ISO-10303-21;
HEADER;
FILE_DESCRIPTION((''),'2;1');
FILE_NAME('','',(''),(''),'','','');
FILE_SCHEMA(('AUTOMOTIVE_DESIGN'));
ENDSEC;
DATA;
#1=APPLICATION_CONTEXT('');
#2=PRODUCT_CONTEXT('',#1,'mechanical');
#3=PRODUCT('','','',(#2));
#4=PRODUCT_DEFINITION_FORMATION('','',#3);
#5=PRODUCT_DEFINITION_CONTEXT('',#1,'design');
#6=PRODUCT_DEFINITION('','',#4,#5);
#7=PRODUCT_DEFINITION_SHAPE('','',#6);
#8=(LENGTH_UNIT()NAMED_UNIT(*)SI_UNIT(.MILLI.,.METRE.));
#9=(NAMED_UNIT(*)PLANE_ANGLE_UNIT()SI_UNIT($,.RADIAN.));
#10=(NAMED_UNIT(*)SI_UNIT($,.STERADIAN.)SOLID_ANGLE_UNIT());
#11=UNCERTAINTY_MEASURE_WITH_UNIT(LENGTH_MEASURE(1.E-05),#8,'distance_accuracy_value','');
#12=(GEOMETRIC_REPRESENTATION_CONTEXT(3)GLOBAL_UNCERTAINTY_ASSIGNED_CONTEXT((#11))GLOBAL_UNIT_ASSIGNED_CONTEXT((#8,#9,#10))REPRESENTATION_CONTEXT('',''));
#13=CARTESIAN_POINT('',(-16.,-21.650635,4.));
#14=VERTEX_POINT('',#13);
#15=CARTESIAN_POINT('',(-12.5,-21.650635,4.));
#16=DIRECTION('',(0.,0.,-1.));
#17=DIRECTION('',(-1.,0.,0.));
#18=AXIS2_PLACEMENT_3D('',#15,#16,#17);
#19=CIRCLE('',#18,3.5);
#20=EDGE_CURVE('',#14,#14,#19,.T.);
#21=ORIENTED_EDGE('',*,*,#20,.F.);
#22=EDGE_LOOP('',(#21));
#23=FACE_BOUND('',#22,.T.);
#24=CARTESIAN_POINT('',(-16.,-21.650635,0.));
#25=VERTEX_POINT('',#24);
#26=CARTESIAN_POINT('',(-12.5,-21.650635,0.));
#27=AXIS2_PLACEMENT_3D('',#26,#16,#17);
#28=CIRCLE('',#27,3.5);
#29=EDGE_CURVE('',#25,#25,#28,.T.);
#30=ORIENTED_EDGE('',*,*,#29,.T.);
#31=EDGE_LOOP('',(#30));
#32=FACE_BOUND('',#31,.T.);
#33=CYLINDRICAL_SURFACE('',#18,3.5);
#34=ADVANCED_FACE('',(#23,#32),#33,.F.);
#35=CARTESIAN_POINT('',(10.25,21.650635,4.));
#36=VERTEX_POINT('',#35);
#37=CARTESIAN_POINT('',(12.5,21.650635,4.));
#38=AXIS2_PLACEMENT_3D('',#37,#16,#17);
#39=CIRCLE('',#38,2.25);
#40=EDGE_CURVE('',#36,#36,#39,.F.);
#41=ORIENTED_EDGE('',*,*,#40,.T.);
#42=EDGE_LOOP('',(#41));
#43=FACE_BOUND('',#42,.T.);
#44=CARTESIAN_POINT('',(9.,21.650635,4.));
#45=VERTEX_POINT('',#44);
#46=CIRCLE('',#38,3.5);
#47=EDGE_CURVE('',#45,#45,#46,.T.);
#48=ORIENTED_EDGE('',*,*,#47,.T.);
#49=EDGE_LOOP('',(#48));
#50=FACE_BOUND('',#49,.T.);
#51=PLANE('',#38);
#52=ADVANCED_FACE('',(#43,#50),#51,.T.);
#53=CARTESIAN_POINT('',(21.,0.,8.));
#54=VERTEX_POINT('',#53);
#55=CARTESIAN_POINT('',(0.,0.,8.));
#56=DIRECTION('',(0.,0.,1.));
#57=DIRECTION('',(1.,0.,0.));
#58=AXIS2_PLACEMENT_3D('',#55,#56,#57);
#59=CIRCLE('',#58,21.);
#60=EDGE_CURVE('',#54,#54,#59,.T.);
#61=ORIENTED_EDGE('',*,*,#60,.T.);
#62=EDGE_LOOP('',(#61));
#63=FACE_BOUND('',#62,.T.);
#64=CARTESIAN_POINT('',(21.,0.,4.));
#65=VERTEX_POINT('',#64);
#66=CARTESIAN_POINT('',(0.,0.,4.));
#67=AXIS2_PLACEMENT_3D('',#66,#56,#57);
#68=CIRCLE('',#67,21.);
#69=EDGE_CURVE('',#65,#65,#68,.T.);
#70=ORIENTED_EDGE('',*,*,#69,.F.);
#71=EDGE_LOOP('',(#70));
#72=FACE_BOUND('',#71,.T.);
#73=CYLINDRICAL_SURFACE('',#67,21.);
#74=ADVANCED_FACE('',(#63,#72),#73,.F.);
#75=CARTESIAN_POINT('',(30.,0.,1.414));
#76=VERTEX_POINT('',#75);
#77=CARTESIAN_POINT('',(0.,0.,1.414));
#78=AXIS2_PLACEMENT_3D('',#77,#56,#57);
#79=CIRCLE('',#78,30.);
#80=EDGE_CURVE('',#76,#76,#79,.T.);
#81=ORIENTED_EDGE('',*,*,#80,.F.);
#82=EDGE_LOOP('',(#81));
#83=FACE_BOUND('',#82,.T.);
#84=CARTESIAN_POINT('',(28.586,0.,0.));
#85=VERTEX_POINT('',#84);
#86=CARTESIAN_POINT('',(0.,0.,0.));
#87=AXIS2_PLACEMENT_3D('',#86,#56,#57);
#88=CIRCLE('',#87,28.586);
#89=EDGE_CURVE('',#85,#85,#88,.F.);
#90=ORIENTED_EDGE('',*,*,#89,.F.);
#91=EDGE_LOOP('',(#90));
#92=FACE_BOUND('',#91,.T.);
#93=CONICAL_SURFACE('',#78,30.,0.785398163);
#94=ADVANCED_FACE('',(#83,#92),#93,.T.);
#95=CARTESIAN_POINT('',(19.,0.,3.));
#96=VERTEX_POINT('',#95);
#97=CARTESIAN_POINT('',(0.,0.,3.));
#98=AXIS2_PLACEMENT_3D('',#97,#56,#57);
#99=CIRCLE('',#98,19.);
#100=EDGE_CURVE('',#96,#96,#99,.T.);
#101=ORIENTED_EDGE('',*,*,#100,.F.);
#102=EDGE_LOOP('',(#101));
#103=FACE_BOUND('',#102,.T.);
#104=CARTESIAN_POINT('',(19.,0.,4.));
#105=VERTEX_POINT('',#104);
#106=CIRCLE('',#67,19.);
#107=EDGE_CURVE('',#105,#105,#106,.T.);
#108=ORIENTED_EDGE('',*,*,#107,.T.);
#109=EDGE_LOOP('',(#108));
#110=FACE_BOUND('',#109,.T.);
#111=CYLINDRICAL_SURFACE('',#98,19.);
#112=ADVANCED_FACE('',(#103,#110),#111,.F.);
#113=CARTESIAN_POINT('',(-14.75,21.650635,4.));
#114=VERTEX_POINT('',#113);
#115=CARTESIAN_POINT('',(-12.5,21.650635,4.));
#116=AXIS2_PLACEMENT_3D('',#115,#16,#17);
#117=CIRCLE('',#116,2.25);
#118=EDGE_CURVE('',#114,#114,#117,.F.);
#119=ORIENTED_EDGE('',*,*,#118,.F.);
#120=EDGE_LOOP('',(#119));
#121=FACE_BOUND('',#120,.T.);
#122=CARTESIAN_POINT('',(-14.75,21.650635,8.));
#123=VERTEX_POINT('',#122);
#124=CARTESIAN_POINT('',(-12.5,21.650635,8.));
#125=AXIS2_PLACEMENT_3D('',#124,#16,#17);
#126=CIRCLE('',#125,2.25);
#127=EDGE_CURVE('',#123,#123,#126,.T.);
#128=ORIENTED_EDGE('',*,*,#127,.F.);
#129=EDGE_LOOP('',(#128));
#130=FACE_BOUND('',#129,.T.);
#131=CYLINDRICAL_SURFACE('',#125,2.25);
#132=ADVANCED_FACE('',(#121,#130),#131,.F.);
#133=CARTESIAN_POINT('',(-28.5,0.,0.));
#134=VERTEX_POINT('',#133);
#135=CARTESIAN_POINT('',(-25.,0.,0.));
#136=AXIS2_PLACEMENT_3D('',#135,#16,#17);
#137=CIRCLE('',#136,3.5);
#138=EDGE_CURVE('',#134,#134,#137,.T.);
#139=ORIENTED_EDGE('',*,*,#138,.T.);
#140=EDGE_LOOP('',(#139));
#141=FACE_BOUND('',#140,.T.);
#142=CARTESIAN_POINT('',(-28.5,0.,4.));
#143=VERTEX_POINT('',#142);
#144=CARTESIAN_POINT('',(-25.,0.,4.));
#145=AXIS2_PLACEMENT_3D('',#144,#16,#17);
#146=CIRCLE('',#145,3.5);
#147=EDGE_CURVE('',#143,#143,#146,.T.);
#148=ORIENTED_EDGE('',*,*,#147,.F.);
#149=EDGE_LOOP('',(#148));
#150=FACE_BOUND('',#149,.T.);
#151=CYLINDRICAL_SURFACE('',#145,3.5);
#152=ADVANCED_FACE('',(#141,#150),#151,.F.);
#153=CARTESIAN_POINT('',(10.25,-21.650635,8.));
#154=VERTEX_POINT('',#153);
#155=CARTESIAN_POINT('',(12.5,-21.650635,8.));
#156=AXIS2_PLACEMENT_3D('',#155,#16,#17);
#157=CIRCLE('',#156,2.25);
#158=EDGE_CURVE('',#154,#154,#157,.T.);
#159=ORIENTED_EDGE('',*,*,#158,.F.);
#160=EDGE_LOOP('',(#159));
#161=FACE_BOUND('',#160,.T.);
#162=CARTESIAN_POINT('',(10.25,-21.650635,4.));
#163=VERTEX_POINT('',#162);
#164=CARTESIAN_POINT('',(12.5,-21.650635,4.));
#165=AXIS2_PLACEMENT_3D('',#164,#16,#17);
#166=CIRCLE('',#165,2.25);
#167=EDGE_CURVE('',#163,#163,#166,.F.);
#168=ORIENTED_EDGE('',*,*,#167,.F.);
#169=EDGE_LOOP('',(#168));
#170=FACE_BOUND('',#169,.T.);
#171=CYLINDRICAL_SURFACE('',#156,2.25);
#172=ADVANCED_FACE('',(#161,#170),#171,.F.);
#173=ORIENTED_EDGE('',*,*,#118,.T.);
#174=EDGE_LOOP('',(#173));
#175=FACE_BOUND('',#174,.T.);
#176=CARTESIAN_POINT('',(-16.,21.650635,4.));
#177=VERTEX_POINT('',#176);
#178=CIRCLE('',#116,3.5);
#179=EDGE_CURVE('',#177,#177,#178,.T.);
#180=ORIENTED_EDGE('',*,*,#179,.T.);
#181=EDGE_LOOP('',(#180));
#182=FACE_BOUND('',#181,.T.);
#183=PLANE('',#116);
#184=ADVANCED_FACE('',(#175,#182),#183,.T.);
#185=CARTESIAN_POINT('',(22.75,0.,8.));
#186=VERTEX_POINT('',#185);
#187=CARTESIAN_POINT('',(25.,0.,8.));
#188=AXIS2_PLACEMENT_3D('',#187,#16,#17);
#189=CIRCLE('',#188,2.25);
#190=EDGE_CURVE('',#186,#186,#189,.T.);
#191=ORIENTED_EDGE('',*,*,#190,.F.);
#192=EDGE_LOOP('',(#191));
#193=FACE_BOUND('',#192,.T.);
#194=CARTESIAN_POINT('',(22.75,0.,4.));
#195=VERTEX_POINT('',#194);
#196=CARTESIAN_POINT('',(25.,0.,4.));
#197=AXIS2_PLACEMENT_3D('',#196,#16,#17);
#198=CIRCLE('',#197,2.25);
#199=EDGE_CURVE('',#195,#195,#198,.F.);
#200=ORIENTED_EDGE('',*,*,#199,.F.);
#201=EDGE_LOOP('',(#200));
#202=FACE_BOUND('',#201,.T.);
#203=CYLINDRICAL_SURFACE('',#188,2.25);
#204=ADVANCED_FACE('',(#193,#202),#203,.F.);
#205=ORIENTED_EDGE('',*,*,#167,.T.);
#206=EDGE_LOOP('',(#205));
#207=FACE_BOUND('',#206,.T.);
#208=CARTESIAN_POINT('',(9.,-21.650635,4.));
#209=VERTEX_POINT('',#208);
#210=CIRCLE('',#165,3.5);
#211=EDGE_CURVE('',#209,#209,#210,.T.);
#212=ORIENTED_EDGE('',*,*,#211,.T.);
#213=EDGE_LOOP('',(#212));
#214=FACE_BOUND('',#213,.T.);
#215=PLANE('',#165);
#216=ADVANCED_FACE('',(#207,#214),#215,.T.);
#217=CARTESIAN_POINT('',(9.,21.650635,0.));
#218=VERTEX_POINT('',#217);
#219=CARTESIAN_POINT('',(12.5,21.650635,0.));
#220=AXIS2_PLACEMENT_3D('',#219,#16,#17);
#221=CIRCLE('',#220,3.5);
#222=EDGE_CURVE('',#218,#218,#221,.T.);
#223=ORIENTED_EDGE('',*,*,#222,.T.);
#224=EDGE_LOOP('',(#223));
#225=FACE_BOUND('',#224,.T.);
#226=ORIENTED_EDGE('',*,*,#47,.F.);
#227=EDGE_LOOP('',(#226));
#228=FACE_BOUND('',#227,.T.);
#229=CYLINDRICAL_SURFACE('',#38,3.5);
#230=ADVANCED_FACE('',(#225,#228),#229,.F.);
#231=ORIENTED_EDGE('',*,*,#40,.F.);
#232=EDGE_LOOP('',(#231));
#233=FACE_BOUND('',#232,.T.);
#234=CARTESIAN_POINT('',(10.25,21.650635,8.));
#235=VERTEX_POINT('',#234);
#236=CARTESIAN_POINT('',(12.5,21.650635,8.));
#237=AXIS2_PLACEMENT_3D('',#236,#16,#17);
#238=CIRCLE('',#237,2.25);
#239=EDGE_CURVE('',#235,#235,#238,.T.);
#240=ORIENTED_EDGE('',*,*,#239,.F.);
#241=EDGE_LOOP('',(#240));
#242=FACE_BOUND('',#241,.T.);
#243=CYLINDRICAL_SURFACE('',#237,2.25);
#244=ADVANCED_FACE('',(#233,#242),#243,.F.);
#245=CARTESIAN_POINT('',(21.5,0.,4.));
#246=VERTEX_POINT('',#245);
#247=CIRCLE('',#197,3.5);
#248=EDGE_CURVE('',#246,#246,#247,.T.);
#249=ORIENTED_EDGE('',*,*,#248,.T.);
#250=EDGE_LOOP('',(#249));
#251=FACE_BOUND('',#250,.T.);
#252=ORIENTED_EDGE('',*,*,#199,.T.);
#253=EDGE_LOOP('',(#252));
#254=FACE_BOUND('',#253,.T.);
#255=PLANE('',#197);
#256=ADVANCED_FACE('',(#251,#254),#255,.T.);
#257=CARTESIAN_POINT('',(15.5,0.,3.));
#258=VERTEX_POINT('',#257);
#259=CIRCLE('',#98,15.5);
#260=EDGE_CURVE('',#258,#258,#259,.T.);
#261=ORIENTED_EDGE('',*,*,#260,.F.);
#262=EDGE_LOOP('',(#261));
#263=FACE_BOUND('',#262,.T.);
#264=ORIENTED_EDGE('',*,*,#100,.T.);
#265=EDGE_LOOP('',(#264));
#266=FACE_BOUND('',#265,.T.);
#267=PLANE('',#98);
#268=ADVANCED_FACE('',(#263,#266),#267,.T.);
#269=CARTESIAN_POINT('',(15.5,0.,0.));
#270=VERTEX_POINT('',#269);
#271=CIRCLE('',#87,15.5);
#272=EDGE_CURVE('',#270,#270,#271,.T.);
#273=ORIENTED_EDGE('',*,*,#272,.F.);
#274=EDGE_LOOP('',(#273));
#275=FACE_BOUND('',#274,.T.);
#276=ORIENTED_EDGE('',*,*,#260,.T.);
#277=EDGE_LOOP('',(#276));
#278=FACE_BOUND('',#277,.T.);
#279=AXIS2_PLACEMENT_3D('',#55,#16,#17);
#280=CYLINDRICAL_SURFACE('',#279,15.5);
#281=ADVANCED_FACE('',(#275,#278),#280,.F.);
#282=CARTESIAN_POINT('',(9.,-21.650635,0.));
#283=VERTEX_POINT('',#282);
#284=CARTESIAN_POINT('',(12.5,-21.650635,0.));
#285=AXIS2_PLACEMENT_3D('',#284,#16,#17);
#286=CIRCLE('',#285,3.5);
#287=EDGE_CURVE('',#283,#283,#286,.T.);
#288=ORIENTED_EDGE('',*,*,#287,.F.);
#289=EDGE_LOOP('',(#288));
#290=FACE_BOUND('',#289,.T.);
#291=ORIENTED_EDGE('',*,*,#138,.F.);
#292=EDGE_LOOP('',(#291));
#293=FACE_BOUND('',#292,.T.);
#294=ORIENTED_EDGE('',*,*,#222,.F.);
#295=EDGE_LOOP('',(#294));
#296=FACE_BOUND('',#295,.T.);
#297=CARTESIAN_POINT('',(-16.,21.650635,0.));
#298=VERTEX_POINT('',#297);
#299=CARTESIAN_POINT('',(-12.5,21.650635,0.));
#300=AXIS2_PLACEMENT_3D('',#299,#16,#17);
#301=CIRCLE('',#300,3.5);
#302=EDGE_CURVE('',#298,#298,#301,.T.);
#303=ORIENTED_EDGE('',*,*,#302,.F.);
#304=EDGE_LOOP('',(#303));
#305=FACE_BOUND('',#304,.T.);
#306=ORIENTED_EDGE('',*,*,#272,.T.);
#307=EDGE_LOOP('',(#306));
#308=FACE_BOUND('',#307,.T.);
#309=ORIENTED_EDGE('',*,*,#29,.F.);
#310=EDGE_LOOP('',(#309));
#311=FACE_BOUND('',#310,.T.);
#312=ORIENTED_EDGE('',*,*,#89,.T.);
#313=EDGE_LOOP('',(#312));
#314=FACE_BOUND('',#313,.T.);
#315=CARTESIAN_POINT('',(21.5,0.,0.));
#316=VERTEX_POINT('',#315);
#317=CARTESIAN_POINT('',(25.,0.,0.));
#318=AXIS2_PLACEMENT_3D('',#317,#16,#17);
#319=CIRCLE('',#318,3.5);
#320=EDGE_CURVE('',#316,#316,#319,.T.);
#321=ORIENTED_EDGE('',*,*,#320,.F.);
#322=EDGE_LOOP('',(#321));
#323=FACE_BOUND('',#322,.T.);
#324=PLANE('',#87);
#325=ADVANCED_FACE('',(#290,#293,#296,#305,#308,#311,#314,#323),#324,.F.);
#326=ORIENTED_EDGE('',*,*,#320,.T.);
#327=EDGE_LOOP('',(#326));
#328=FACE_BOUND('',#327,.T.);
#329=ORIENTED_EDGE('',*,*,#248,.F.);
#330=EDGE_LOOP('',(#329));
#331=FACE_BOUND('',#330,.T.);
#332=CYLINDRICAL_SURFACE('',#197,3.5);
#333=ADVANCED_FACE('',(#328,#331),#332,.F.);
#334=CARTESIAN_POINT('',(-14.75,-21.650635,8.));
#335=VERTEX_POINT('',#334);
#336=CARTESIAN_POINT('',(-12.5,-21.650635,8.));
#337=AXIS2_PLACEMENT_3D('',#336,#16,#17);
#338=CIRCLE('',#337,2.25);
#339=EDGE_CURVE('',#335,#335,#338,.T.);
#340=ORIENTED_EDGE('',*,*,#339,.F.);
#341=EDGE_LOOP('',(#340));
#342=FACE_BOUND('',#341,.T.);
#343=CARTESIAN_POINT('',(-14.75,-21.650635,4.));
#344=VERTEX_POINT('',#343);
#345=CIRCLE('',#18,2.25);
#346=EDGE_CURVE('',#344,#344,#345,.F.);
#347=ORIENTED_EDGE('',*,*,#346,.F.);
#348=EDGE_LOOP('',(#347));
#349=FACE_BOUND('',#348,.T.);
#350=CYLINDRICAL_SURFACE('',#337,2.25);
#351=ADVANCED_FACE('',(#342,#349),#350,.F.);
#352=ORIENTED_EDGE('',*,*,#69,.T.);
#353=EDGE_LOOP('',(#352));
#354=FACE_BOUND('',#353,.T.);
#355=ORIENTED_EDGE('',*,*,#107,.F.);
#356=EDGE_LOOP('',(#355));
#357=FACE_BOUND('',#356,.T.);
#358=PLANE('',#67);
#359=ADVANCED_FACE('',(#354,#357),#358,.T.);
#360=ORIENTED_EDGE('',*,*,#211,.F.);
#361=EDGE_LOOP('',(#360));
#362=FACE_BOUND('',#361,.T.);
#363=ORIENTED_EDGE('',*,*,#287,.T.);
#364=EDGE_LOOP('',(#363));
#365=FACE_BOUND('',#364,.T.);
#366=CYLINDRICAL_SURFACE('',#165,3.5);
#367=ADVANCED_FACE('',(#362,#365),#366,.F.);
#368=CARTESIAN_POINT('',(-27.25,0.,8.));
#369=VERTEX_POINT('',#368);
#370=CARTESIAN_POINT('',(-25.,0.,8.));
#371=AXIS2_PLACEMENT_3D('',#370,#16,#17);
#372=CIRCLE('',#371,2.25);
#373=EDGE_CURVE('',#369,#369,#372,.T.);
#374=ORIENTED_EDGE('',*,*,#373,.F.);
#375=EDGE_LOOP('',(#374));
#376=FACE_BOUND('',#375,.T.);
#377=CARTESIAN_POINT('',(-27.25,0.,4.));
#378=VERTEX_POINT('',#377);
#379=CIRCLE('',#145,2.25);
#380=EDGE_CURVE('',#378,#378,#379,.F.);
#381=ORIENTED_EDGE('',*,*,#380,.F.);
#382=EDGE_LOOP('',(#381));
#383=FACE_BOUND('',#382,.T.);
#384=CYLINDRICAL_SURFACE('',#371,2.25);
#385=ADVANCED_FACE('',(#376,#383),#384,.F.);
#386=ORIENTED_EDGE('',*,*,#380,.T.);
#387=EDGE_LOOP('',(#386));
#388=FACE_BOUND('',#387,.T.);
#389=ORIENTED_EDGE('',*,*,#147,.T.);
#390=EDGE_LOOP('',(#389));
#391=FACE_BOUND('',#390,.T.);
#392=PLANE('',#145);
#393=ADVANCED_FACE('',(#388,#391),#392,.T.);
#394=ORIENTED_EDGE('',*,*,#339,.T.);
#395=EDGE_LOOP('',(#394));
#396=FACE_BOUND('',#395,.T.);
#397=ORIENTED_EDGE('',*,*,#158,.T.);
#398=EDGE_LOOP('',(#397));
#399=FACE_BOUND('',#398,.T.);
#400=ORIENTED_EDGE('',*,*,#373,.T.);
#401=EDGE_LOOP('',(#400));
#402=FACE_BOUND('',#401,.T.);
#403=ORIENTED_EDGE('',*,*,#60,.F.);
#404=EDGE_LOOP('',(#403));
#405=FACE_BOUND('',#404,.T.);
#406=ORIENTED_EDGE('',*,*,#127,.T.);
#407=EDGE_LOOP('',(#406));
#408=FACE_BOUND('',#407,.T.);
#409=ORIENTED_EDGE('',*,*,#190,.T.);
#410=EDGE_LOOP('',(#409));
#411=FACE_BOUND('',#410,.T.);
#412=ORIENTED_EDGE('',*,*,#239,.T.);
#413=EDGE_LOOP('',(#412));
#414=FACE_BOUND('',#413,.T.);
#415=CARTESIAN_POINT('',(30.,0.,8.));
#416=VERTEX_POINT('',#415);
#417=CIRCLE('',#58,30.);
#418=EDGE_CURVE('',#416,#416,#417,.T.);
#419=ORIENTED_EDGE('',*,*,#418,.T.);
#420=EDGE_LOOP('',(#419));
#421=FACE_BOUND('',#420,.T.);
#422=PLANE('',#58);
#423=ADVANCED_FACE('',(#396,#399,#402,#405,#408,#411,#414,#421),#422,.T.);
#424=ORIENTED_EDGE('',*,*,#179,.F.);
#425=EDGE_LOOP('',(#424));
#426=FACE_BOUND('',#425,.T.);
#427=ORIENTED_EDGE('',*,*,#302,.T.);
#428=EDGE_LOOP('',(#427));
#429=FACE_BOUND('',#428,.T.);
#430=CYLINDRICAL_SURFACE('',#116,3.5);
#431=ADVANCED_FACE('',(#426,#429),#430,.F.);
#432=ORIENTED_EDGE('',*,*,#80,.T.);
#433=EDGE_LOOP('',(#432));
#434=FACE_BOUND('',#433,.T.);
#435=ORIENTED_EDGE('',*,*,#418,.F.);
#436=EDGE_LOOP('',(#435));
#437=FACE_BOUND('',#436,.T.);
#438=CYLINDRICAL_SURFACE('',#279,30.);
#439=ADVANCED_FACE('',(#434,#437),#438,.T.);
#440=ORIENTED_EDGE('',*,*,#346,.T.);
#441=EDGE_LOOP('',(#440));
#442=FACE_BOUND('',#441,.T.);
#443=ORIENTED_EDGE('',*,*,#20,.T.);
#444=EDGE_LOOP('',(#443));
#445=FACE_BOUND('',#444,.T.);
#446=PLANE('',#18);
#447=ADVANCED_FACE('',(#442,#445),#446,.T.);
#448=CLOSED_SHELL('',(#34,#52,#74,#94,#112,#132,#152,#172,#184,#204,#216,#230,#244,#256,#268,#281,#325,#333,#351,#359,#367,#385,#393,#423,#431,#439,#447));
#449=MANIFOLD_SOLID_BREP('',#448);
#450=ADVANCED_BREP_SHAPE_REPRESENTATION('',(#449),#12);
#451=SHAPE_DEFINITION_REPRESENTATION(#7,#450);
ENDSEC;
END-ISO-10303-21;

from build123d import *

# Parameters (mm, degrees)
SKETCH_1_R          = 30
SKETCH_1_R_2        = 15.5
EXTRUDE_1_DEPTH     = 8
SKETCH_2_R          = 21
CUT_EXTRUDE_1_DEPTH = 4
SKETCH_3_R          = 19
CUT_EXTRUDE_2_DEPTH = 1
SKETCH_4_R          = 2.25
CUT_EXTRUDE_3_DEPTH = 44.17406629
SKETCH_5_R          = 3.5
CUT_EXTRUDE_4_DEPTH = 4
CHAMFER_1_SIZE      = 1.414


with BuildPart() as part:
    # 草图1 → 拉伸1 (new body)
    with BuildSketch(Plane.XY):
        Circle(SKETCH_1_R)
        Circle(SKETCH_1_R_2, mode=Mode.SUBTRACT)
    extrude(amount=EXTRUDE_1_DEPTH)

    # 草图2 → 切除-拉伸1 (cut)
    with BuildSketch(Plane.XY.offset(8)):
        Circle(SKETCH_2_R)
    extrude(amount=-CUT_EXTRUDE_1_DEPTH, mode=Mode.SUBTRACT)

    # 草图3 → 切除-拉伸2 (cut)
    with BuildSketch(Plane.XY.offset(4)):
        Circle(SKETCH_3_R)
    extrude(amount=-CUT_EXTRUDE_2_DEPTH, mode=Mode.SUBTRACT)

    # 草图4 → 切除-拉伸3 (cut, through all)
    with BuildSketch(Plane(origin=(0, 0, 0), x_dir=(-1, 0, 0), z_dir=(0, 0, -1))):
        with Locations((12.5, 21.650635095)):
            Circle(SKETCH_4_R)
        with Locations((-12.5, 21.650635095)):
            Circle(SKETCH_4_R)
        with Locations((-25, 0)):
            Circle(SKETCH_4_R)
        with Locations((-12.5, -21.650635095)):
            Circle(SKETCH_4_R)
        with Locations((12.5, -21.650635095)):
            Circle(SKETCH_4_R)
        with Locations((25, 0)):
            Circle(SKETCH_4_R)
    extrude(amount=-CUT_EXTRUDE_3_DEPTH, mode=Mode.SUBTRACT)

    # 草图5 → 切除-拉伸4 (cut)
    with BuildSketch(Plane(origin=(0, 0, 0), x_dir=(-1, 0, 0), z_dir=(0, 0, -1))):
        with Locations((-12.5, 21.650635095)):
            Circle(SKETCH_5_R)
        with Locations((-25, 0)):
            Circle(SKETCH_5_R)
        with Locations((-12.5, -21.650635095)):
            Circle(SKETCH_5_R)
        with Locations((12.5, -21.650635095)):
            Circle(SKETCH_5_R)
        with Locations((25, 0)):
            Circle(SKETCH_5_R)
        with Locations((12.5, 21.650635095)):
            Circle(SKETCH_5_R)
    extrude(amount=-CUT_EXTRUDE_4_DEPTH, mode=Mode.SUBTRACT)

    # 倒角1
    chamfer_1_edges = [part.edges().sort_by_distance(p)[0] for p in [
        (-30, 0, 0),
    ]]
    chamfer(chamfer_1_edges, length=CHAMFER_1_SIZE)


solid = part.part
